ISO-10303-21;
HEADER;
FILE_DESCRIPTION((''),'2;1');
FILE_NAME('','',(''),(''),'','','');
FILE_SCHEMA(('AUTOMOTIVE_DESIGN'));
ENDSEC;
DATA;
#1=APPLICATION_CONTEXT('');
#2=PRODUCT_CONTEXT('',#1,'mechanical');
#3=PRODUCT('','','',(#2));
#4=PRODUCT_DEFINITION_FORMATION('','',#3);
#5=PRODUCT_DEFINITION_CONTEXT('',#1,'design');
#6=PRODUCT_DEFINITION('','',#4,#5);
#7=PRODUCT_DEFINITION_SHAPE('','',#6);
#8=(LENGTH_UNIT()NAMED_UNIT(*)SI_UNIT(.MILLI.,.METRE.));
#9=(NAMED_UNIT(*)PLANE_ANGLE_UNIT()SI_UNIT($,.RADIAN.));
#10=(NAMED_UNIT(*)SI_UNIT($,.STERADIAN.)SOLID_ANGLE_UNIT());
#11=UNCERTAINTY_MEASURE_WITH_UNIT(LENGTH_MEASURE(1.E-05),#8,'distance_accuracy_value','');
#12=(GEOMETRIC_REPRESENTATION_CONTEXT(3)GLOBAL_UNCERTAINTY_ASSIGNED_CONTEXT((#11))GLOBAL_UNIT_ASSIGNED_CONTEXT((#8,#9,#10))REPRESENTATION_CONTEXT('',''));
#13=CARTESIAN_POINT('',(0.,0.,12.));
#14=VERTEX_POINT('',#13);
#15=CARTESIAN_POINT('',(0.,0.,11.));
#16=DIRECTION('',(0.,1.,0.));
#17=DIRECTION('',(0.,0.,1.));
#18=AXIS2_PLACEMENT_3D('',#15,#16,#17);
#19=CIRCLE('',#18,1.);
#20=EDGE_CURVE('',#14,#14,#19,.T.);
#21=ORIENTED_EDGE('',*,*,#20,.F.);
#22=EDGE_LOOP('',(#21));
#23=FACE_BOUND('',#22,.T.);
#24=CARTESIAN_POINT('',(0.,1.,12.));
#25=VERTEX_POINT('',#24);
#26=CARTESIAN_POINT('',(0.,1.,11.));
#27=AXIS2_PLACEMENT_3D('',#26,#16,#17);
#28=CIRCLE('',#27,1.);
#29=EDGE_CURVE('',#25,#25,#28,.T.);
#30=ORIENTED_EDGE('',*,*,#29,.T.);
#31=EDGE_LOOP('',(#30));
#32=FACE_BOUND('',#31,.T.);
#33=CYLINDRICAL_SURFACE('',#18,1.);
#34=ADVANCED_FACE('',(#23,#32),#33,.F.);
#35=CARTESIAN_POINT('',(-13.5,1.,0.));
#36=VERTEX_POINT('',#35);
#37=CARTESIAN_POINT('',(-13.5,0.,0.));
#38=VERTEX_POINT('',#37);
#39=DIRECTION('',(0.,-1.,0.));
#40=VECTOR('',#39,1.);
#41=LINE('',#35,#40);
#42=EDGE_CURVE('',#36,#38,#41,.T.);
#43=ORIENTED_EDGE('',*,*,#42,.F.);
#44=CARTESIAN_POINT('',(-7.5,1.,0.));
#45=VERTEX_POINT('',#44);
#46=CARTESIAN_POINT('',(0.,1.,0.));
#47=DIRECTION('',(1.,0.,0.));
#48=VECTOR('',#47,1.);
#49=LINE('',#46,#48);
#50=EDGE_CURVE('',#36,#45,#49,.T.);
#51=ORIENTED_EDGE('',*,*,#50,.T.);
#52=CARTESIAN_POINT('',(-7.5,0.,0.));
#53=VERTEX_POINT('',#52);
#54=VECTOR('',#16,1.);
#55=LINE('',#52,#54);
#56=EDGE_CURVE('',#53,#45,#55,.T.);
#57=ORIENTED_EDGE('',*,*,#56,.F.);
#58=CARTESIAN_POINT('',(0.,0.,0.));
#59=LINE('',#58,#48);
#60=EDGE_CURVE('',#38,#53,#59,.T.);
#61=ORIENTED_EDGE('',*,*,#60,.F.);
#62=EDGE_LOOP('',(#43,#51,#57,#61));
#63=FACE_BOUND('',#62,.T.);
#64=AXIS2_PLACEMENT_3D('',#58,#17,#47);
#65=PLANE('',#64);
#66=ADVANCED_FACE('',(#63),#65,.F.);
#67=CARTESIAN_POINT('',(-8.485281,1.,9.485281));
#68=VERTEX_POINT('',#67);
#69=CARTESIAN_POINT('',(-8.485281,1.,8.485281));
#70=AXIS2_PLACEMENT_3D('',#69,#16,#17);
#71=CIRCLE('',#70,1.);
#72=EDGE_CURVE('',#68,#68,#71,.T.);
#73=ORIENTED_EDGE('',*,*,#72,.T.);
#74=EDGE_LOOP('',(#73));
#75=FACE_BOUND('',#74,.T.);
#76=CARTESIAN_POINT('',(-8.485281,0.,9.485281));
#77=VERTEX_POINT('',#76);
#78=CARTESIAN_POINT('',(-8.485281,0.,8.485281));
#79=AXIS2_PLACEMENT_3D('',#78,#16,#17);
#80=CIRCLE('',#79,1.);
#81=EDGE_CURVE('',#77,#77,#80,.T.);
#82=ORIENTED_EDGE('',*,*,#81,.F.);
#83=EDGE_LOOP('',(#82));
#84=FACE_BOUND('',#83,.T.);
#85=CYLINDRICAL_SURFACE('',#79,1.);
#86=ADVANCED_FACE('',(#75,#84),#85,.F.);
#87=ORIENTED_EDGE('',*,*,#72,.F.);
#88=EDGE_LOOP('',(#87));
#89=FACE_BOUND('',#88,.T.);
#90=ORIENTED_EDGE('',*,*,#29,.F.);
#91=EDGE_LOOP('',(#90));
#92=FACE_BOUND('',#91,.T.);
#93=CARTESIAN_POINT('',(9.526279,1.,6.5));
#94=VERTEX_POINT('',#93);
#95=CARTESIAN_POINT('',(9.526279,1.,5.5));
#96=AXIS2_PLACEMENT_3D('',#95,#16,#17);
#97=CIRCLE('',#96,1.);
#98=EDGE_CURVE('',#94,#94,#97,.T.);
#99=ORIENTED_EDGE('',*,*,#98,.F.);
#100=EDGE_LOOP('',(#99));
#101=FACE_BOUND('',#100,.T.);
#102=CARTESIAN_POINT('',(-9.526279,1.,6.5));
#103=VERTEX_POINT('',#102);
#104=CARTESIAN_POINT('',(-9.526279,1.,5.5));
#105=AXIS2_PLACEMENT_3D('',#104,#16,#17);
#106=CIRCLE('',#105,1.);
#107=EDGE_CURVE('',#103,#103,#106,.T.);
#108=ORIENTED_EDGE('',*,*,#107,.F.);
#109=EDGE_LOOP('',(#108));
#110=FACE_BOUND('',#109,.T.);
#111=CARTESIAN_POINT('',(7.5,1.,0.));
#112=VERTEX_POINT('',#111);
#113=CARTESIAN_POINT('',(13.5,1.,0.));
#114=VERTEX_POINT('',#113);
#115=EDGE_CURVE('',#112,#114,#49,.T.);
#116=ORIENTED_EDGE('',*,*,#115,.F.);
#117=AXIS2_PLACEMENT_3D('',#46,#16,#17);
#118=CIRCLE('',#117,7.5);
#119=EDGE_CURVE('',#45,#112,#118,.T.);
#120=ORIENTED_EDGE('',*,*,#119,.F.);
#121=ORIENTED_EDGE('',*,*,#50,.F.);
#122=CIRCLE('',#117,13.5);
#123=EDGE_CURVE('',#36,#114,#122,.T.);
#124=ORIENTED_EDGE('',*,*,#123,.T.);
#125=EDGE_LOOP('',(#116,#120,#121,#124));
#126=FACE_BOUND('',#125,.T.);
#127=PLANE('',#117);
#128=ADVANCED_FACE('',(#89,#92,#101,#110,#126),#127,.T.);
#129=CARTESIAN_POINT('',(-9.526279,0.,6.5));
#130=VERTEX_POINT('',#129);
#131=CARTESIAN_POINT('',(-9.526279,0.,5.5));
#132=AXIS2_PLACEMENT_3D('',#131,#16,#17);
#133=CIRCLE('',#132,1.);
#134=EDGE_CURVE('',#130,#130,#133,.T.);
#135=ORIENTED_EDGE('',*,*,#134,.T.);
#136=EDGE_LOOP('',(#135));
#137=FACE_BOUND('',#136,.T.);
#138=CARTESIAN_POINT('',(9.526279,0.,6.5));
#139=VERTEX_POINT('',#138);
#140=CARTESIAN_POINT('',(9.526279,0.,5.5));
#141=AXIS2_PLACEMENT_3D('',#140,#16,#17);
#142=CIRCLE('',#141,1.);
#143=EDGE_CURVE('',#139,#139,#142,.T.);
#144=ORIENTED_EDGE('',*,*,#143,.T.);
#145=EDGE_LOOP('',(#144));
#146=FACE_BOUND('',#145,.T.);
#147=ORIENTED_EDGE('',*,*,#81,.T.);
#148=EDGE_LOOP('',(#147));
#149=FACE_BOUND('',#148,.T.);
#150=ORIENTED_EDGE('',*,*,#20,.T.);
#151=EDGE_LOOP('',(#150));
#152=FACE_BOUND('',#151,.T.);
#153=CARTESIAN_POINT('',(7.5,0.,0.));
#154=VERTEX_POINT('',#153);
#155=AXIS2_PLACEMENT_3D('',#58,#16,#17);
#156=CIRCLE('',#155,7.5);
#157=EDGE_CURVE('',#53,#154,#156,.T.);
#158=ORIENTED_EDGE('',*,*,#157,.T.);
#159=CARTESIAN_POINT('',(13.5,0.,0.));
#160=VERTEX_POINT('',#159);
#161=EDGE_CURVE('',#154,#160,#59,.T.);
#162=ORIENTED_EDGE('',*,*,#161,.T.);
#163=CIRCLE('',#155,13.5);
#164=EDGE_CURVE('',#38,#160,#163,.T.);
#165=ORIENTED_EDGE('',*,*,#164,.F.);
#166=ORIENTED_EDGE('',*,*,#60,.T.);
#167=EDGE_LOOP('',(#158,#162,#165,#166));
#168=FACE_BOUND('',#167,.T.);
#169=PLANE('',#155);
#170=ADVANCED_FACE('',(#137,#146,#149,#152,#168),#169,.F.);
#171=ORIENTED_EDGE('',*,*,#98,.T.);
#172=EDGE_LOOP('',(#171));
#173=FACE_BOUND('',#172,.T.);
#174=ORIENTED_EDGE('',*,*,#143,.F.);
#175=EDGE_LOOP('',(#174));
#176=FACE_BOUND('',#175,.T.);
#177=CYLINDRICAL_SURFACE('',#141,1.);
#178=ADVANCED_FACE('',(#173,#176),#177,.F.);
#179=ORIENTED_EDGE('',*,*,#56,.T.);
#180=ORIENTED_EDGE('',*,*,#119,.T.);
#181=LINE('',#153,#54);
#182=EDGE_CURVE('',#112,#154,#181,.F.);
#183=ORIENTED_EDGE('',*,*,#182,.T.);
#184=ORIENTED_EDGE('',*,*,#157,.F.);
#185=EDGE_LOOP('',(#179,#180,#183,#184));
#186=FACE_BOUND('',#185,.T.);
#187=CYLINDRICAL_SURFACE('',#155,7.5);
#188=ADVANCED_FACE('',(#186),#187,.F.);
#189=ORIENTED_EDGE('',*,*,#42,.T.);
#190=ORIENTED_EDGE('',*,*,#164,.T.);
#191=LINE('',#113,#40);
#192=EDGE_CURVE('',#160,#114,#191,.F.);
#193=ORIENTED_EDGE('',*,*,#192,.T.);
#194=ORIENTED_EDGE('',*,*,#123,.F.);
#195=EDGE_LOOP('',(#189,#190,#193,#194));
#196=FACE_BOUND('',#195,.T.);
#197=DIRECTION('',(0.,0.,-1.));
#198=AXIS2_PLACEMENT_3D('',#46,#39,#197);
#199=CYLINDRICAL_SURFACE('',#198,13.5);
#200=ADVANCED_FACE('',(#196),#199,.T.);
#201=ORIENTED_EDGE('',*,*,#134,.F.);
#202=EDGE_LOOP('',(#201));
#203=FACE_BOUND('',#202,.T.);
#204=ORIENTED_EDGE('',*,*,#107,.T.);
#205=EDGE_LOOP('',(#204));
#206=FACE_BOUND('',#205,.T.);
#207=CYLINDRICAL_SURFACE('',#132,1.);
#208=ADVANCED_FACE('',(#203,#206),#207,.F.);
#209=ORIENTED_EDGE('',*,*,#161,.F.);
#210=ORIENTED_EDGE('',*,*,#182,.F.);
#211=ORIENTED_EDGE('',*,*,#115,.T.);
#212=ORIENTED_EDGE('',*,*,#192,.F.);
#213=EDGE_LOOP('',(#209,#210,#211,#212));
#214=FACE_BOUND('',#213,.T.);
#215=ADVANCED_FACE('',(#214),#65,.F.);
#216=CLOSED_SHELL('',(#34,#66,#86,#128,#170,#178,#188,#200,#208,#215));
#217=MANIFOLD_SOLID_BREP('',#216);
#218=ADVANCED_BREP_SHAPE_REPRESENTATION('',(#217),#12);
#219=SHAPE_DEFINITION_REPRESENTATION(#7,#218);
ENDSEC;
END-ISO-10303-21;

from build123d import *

# Parameters (mm, degrees)
SKETCH1_R               = 13.5
BOSS_EXTRUDE1_DEPTH     = 1
CUT_EXTRUDE1_DEPTH      = 20.118054294
CUT_EXTRUDE1_DEPTH_BACK = 20.118054294
SKETCH19_R              = 1
CUT_EXTRUDE2_DEPTH      = 20.118054294
CUT_EXTRUDE2_DEPTH_BACK = 20.118054294
SKETCH20_R              = 7.5
SKETCH21_W              = 65.874202484
SKETCH21_H              = 51.979273979
CUT_EXTRUDE3_DEPTH      = 20.118054294


with BuildPart() as part:
    # Sketch1 → Boss-Extrude1 (new body)
    with BuildSketch(Plane(origin=(0, 0, 0), x_dir=(1, 0, 0), z_dir=(0, 1, 0))):
        with Locations(Location((0, 0, 0), (0, 0, 270))):
            Circle(SKETCH1_R)
    extrude(amount=BOSS_EXTRUDE1_DEPTH)

    # Sketch19 → Cut-Extrude1 (cut, two sides: drawn at the far end of the back side and taken through both)
    with BuildSketch(Plane(origin=(0, 1, 0), x_dir=(1, 0, 0), z_dir=(0, 1, 0)).offset(-CUT_EXTRUDE1_DEPTH_BACK)):
        with Locations(Location((0, 11, 0), (0, 0, 270))):
            Circle(SKETCH19_R)
        with Locations(Location((9.526279442, 5.5, 0), (0, 0, 270))):
            Circle(SKETCH19_R)
        with Locations(Location((9.526279442, -5.5, 0), (0, 0, 270))):
            Circle(SKETCH19_R)
        with Locations(Location((0, -11, 0), (0, 0, 270))):
            Circle(SKETCH19_R)
        with Locations(Location((-9.526279442, -5.5, 0), (0, 0, 270))):
            Circle(SKETCH19_R)
        with Locations(Location((-9.526279442, 5.5, 0), (0, 0, 270))):
            Circle(SKETCH19_R)
        with Locations(Location((-8.485281374, -8.485281374, 0), (0, 0, 270))):
            Circle(SKETCH19_R)
    extrude(amount=CUT_EXTRUDE1_DEPTH + CUT_EXTRUDE1_DEPTH_BACK, mode=Mode.SUBTRACT)

    # Sketch20 → Cut-Extrude2 (cut, two sides: drawn at the far end of the back side and taken through both)
    with BuildSketch(Plane(origin=(0, 1, 0), x_dir=(1, 0, 0), z_dir=(0, 1, 0)).offset(-CUT_EXTRUDE2_DEPTH_BACK)):
        with Locations(Location((0, 0, 0), (0, 0, 270))):
            Circle(SKETCH20_R)
    extrude(amount=CUT_EXTRUDE2_DEPTH + CUT_EXTRUDE2_DEPTH_BACK, mode=Mode.SUBTRACT)

    # Sketch21 → Cut-Extrude3 (cut, through all)
    with BuildSketch(Plane.XY):
        with Locations((-3.816154381, 6.321647006)):
            Rectangle(SKETCH21_W, SKETCH21_H)
    extrude(amount=-CUT_EXTRUDE3_DEPTH, mode=Mode.SUBTRACT)


solid = part.part
